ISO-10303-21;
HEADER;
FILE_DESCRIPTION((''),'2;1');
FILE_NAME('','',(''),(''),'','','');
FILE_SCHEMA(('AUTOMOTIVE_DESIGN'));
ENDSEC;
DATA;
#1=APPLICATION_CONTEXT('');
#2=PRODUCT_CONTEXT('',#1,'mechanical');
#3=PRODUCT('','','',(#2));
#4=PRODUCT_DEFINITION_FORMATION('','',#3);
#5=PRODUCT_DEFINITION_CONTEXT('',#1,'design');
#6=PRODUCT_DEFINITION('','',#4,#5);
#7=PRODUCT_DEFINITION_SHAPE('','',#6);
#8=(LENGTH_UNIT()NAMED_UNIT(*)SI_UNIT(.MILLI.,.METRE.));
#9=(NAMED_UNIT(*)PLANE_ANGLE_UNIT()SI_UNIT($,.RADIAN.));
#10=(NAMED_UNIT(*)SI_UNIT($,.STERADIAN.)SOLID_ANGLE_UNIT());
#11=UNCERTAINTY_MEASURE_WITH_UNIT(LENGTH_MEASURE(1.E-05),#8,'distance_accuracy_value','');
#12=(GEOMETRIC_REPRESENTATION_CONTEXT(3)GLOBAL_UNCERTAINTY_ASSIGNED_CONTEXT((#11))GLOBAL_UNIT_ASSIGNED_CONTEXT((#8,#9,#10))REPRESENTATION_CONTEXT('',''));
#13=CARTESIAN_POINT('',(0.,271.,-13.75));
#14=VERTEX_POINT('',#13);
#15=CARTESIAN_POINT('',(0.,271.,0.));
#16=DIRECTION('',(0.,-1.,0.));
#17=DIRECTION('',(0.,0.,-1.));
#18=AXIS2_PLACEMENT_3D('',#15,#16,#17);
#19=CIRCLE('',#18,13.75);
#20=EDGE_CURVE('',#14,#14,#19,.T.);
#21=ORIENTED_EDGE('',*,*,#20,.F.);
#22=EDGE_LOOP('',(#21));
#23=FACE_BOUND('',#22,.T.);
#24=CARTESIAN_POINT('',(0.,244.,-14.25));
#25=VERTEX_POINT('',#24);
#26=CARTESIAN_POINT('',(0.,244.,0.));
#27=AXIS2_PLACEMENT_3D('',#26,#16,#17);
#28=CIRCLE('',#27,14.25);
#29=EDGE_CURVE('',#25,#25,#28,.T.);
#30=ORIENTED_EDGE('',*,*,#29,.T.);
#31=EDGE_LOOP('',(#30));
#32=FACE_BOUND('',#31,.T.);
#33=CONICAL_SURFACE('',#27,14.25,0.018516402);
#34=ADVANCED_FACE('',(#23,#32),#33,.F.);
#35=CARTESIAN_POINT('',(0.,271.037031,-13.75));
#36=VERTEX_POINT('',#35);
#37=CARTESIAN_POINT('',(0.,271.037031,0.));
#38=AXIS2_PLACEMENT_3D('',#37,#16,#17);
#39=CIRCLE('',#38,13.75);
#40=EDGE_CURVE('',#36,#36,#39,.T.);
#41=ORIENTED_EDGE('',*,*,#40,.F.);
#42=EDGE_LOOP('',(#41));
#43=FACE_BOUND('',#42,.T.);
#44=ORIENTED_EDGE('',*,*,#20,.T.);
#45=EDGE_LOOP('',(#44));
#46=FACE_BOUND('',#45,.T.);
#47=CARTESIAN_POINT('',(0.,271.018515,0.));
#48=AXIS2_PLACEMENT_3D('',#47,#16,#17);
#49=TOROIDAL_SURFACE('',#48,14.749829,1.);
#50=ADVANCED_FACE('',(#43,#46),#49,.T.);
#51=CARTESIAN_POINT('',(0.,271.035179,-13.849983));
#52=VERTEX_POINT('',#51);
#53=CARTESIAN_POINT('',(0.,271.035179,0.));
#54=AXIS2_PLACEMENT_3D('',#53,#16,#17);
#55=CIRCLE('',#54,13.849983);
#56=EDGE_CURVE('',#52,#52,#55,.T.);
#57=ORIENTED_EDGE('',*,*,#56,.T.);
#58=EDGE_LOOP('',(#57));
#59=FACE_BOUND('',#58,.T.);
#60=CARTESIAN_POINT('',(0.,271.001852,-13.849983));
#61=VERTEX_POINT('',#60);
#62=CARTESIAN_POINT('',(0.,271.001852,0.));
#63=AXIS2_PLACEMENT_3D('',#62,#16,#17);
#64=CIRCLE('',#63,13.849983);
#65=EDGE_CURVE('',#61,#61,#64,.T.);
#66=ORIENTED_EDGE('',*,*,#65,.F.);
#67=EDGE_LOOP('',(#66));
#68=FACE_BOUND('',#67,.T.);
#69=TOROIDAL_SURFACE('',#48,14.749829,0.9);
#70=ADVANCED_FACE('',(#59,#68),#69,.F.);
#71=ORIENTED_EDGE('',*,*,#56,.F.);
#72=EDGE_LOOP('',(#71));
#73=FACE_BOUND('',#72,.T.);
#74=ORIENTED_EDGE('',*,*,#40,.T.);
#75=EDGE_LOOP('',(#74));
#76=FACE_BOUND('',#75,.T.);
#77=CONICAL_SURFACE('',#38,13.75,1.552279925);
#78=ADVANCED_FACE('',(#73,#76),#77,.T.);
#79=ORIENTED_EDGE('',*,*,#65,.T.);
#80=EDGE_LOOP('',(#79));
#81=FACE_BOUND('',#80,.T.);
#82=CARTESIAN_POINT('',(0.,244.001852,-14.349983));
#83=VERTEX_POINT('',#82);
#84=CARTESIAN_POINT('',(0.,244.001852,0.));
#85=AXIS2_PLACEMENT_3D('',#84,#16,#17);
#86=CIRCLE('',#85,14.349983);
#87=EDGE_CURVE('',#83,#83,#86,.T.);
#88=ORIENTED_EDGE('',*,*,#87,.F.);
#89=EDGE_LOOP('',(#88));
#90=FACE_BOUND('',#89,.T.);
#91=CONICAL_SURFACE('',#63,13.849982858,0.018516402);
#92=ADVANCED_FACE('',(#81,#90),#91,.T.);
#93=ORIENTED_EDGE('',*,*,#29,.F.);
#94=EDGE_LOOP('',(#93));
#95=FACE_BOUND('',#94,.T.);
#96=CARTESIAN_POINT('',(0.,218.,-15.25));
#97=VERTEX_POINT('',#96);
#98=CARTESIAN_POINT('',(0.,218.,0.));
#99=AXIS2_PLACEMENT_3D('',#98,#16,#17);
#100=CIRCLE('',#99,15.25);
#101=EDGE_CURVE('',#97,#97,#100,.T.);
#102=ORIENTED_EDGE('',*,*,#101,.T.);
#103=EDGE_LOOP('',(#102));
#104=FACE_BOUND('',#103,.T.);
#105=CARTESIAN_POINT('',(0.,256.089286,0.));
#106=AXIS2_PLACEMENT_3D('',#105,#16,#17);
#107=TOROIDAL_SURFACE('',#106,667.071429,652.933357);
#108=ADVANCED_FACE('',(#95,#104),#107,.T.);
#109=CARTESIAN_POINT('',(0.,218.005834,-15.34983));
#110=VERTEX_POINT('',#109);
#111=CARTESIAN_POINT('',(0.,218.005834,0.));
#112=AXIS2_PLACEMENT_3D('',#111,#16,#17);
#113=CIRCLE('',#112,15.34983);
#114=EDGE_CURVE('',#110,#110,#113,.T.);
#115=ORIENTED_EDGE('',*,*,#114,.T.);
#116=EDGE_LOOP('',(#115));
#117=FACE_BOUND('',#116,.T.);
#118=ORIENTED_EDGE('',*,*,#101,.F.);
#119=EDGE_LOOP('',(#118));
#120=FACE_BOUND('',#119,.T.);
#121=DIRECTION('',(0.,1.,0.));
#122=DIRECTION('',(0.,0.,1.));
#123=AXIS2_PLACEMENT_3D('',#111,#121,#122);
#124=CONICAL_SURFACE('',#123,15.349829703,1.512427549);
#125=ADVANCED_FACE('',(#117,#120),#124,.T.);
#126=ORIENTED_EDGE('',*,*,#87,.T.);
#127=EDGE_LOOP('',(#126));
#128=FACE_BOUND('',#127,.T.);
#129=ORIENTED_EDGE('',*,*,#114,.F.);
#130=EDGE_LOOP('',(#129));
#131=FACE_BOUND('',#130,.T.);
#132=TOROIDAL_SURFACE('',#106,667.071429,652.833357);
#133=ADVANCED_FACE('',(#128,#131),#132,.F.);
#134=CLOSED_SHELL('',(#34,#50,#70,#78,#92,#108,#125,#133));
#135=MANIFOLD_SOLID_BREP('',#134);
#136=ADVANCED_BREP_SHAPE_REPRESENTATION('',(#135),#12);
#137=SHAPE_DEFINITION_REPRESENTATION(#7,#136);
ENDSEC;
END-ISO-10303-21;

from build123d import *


with BuildPart() as part:
    # Skica1 → Rotovat1 (revolve)
    with BuildSketch(Plane.XY, mode=Mode.PRIVATE) as rotovat1_sk:
        with BuildLine():
            Line((-14.349982858, 244.001851534), (-13.849982858, 271.001851534))
            ThreePointArc((-13.849982858, 271.001851534), (-13.849828576, 271.018515344), (-13.849982858, 271.035179154))
            Line((-13.849982858, 271.035179154), (-13.75, 271.037030688))
            ThreePointArc((-13.75, 271.037030688), (-13.749828576, 271.018515344), (-13.75, 271))
            Line((-13.75, 271), (-14.25, 244))
            ThreePointArc((-14.25, 244), (-14.620475493, 230.995018288), (-15.25, 218))
            Line((-15.25, 218), (-15.349829703, 218.005833564))
            ThreePointArc((-15.349829703, 218.005833564), (-14.72040161, 230.9988616), (-14.349982858, 244.001851534))
        make_face()
    revolve(rotovat1_sk.sketch.rotate(Axis((0, 0, 0), (0, 1, 0)), 270), axis=Axis((0, 0, 0), (0, 1, 0)))


solid = part.part
